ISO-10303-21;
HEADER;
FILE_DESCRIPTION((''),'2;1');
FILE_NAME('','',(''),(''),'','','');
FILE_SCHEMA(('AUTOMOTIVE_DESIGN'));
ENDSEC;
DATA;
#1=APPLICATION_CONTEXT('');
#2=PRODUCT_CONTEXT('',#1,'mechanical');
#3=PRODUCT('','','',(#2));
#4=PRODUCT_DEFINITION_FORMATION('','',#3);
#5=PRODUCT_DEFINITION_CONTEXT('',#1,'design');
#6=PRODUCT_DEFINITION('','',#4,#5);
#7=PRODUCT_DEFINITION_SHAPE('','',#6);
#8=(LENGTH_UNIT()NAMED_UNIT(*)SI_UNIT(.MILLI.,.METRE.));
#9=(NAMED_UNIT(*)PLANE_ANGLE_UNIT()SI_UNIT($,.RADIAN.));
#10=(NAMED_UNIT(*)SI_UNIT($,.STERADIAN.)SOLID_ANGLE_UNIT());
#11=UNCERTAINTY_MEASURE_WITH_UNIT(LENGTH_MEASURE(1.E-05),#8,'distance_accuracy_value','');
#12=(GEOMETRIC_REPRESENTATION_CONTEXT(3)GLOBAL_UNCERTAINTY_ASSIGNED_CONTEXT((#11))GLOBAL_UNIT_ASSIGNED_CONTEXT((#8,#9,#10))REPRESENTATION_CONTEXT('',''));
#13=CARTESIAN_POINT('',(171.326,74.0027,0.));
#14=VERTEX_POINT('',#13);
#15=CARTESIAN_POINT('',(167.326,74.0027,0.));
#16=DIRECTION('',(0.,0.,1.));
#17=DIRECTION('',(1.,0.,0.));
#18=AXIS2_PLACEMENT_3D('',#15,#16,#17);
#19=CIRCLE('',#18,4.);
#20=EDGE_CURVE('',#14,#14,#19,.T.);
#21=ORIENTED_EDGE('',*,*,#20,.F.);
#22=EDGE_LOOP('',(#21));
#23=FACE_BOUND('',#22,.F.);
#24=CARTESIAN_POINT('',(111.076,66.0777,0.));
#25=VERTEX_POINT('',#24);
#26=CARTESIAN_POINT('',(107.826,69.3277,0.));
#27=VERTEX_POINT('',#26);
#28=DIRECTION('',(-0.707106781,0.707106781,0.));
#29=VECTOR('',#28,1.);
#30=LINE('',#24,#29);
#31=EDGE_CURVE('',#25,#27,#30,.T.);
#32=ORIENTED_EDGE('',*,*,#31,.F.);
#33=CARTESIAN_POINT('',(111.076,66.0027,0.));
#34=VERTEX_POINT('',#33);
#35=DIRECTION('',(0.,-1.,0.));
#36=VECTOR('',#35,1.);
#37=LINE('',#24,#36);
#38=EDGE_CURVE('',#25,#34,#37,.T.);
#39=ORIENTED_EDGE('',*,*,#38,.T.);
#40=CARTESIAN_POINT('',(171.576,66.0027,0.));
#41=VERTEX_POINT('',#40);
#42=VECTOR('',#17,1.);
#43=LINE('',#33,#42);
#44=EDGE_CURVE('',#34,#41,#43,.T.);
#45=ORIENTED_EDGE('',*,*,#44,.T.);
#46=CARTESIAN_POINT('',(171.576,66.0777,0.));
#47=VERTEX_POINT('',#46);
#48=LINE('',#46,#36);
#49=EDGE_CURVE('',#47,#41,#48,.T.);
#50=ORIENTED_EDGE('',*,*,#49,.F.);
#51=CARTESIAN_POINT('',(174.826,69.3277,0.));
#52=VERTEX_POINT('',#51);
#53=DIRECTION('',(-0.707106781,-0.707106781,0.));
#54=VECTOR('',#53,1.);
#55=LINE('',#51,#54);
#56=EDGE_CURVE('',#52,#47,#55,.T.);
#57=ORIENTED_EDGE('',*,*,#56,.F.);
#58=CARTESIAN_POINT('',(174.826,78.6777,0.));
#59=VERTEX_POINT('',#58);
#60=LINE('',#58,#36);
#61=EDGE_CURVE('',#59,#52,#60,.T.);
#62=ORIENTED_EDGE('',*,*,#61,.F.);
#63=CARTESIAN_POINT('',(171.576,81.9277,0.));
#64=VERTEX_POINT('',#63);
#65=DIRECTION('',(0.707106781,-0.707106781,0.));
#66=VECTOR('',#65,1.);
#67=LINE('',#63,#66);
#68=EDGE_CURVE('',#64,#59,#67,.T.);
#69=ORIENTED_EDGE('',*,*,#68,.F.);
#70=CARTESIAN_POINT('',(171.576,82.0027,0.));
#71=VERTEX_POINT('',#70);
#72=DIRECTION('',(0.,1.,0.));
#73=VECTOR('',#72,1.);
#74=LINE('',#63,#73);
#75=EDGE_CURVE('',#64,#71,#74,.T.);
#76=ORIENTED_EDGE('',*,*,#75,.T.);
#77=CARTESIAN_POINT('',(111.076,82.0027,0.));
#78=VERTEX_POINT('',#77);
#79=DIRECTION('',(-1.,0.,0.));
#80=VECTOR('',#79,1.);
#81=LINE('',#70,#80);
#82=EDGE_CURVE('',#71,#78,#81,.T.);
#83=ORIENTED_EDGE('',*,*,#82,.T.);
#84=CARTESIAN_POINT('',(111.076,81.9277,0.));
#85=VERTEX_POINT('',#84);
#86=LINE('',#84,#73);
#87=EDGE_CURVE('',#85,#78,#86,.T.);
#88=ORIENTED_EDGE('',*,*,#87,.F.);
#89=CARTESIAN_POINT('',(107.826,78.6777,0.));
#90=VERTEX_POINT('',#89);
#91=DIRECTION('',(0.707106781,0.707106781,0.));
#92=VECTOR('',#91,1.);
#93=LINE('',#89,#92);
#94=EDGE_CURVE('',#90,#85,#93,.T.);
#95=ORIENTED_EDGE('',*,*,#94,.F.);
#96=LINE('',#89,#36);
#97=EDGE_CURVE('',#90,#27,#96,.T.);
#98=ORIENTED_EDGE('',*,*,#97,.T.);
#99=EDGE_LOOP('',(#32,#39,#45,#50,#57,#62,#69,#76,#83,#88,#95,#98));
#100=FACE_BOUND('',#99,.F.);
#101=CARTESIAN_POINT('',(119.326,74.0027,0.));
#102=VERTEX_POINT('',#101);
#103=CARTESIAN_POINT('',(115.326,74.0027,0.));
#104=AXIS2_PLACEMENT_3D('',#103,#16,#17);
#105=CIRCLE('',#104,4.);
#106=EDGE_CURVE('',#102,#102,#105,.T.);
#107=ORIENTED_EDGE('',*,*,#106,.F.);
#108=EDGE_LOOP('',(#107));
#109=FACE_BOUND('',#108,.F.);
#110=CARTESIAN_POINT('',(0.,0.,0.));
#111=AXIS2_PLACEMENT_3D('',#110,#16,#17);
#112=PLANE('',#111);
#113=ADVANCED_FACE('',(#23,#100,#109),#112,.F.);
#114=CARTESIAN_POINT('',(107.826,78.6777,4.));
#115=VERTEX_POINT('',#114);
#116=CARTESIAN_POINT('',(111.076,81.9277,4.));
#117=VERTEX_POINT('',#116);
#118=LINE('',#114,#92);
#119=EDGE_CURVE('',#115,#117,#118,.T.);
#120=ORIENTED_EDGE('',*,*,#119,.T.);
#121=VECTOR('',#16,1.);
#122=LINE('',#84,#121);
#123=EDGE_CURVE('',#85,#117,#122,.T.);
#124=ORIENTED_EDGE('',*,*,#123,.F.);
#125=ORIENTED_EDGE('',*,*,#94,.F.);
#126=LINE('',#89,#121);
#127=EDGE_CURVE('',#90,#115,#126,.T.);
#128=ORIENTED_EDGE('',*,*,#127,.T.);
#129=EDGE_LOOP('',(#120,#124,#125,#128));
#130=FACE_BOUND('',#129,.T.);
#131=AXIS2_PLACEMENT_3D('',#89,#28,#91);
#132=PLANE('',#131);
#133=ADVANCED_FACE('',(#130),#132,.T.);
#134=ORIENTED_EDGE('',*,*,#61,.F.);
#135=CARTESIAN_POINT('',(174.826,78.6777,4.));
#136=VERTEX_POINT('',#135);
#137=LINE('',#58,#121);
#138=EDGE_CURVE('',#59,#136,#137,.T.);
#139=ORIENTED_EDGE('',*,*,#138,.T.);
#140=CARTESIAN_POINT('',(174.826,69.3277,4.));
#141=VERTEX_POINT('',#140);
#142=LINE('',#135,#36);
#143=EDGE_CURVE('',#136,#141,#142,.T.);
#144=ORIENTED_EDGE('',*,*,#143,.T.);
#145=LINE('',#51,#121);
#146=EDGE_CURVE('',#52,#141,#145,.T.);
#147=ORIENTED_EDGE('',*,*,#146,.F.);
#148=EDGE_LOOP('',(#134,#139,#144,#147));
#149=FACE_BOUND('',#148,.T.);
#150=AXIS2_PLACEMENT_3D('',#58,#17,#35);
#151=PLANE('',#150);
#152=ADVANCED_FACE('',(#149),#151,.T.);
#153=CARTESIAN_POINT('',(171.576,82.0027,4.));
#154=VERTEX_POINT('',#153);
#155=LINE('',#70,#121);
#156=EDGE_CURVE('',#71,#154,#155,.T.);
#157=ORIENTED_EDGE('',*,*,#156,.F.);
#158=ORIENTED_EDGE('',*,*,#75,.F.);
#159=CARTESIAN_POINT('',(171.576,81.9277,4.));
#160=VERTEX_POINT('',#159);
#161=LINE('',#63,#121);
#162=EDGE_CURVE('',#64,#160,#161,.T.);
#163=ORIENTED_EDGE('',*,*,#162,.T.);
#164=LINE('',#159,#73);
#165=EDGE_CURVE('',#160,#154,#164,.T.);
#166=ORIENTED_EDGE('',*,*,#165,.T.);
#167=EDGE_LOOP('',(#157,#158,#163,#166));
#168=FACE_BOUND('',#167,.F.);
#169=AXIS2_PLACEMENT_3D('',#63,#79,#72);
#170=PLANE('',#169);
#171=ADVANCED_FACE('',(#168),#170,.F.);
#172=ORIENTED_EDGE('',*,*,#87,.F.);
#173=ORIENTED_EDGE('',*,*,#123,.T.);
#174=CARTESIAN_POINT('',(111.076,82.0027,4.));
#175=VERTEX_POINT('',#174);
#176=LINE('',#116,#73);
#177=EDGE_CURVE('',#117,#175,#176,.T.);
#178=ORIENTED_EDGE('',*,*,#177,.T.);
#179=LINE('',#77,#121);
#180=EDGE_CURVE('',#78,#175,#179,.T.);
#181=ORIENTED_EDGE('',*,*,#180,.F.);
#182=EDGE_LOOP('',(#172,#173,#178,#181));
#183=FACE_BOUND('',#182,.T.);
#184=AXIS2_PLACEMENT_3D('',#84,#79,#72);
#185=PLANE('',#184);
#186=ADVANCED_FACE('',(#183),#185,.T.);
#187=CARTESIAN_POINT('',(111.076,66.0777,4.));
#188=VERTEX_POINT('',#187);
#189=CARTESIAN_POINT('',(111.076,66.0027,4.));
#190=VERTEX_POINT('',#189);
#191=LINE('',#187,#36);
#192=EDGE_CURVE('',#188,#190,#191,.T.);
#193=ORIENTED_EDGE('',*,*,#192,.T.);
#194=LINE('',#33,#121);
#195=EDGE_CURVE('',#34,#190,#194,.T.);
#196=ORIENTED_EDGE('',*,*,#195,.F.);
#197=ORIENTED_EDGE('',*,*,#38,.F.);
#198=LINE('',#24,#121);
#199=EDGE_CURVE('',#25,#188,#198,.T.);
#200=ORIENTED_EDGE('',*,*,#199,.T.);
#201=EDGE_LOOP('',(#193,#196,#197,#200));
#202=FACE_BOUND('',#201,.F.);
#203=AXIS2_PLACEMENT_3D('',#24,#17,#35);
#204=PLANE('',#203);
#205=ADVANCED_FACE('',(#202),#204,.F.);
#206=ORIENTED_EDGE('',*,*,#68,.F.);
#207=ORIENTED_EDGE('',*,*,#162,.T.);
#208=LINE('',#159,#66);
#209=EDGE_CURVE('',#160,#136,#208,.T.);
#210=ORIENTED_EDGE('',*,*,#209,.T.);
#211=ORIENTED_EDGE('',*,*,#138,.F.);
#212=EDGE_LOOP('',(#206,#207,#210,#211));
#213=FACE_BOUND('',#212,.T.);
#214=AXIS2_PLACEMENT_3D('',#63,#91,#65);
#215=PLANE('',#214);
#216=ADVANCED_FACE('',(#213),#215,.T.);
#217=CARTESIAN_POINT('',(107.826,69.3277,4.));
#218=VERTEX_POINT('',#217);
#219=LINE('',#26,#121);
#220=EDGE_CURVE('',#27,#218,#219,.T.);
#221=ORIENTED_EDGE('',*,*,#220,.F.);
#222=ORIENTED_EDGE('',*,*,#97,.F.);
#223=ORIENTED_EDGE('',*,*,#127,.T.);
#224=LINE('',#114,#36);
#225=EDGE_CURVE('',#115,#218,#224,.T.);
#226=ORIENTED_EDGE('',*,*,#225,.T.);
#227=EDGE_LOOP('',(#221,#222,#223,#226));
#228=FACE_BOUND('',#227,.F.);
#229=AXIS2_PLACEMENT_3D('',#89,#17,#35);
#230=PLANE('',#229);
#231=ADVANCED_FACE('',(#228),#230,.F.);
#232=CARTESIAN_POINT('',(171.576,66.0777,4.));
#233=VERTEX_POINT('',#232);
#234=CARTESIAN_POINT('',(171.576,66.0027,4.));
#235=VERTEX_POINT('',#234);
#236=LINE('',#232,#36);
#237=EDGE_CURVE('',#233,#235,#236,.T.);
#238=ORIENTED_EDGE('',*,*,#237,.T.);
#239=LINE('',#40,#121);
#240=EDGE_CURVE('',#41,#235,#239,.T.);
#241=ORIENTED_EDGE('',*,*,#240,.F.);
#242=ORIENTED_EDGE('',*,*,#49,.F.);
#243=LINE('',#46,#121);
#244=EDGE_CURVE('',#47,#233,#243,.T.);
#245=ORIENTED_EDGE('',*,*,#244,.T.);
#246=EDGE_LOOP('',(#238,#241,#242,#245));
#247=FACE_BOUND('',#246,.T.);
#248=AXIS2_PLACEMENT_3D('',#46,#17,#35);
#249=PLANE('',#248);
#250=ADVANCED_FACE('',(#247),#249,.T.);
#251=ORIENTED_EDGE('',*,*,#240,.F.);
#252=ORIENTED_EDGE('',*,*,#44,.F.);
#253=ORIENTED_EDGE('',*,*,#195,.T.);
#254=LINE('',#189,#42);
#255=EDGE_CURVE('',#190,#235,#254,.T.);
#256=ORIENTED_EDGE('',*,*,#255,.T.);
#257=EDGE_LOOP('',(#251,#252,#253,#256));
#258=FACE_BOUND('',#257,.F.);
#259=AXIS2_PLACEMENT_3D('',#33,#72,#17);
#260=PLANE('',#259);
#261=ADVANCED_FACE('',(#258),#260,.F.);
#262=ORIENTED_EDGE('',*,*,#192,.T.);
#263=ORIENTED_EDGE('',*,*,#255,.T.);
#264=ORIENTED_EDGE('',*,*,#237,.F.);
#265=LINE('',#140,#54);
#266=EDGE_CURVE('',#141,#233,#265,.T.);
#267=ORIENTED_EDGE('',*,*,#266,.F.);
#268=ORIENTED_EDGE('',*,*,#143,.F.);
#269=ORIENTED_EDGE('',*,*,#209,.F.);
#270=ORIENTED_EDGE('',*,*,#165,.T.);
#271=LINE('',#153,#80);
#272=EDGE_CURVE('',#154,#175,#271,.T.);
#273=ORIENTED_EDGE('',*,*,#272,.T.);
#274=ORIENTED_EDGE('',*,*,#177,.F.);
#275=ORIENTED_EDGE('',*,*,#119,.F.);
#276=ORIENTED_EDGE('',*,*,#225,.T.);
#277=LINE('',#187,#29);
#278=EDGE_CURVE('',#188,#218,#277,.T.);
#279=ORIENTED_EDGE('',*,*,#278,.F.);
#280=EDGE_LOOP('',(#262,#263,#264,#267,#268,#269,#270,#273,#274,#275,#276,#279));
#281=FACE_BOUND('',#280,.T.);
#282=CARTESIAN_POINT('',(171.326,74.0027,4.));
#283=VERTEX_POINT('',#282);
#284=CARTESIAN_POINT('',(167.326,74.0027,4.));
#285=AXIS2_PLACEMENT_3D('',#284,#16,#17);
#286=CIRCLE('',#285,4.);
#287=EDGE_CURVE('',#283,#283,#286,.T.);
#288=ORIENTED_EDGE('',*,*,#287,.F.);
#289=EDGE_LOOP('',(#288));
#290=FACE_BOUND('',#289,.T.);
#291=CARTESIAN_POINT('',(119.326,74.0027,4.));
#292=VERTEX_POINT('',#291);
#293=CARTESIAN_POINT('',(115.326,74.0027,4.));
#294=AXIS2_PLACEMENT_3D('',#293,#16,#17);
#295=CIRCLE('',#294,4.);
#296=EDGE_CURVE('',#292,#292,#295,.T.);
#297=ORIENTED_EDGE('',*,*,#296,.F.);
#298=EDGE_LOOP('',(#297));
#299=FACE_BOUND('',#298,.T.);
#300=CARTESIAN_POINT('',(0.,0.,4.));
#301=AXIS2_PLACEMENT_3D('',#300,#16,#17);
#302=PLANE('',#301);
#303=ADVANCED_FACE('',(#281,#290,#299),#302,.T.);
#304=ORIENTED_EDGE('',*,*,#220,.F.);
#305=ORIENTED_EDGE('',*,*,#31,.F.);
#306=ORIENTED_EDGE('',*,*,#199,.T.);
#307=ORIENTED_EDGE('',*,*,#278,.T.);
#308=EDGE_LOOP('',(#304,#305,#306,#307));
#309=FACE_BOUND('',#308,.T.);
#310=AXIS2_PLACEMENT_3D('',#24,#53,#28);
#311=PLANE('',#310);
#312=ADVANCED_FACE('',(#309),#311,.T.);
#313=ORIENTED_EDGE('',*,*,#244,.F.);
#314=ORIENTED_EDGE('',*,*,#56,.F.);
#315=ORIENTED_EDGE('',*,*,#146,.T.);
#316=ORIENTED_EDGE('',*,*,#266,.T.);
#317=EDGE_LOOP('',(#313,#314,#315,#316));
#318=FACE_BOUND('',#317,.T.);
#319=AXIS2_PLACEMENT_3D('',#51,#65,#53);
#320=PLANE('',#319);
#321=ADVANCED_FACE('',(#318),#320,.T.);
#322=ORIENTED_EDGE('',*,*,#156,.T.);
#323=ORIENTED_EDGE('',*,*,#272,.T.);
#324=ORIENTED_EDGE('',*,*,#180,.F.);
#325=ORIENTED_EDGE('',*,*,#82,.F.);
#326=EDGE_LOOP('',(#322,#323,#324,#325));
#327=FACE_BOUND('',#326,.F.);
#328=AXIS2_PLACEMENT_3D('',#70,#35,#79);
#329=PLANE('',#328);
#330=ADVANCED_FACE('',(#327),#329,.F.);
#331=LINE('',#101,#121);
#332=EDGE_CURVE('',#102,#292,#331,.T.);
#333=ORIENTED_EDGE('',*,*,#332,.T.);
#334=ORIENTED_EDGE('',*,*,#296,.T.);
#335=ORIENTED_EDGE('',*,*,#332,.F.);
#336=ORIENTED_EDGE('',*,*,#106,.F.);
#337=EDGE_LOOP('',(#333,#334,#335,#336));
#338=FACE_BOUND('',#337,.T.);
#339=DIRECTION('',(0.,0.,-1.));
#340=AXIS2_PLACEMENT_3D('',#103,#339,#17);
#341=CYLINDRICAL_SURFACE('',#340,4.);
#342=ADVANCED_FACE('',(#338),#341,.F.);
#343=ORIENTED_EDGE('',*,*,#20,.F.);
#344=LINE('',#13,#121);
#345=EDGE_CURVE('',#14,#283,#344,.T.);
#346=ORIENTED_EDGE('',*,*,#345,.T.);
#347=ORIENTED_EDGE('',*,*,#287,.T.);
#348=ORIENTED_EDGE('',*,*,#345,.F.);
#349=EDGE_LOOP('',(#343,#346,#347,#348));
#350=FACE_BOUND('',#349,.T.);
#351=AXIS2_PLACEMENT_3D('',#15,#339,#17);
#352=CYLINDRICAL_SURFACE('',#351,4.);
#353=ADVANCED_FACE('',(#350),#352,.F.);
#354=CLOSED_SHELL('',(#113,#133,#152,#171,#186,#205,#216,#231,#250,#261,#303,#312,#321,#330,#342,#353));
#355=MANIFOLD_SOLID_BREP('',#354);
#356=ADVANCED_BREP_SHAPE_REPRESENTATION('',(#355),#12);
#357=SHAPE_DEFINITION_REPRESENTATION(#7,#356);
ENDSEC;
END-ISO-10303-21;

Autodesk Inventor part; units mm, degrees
ref_plane "YZ Plane" through (0, 0, 0) normal (1, 0, 0) x (0, 1, 0)
ref_plane "XZ Plane" through (0, 0, 0) normal (0, 1, 0) x (-1, 0, 0)
ref_plane "XY Plane" through (0, 0, 0) normal (0, 0, 1) x (1, 0, 0)
sketch "Sketch1" plane through (0, 0, 0) normal (0, 0, 1) x (1, 0, 0)
  circle A0 centre (167.326, 74.0027) radius 4
  line L0 (171.576, 66.0777) -> (171.576, 66.0027)
  line L1 (174.826, 69.3277) -> (171.576, 66.0777)
  line L2 (174.826, 78.6777) -> (174.826, 69.3277)
  line L3 (171.576, 81.9277) -> (174.826, 78.6777)
  line L4 (171.576, 81.9277) -> (171.576, 82.0027)
  line L5 (111.076, 81.9277) -> (111.076, 82.0027)
  line L6 (107.826, 78.6777) -> (111.076, 81.9277)
  line L7 (107.826, 78.6777) -> (107.826, 69.3277)
  line L8 (111.076, 66.0777) -> (107.826, 69.3277)
  line L9 (111.076, 66.0777) -> (111.076, 66.0027)
  circle A1 centre (115.326, 74.0027) radius 4
  line L10 (171.576, 82.0027) -> (111.076, 82.0027)
  line L11 (111.076, 66.0027) -> (171.576, 66.0027)
  point P0 (0, 0)
extrude "Extrusion1" add sketch "Sketch1" along normal blind 4
properties part number "suporte_mancal"
